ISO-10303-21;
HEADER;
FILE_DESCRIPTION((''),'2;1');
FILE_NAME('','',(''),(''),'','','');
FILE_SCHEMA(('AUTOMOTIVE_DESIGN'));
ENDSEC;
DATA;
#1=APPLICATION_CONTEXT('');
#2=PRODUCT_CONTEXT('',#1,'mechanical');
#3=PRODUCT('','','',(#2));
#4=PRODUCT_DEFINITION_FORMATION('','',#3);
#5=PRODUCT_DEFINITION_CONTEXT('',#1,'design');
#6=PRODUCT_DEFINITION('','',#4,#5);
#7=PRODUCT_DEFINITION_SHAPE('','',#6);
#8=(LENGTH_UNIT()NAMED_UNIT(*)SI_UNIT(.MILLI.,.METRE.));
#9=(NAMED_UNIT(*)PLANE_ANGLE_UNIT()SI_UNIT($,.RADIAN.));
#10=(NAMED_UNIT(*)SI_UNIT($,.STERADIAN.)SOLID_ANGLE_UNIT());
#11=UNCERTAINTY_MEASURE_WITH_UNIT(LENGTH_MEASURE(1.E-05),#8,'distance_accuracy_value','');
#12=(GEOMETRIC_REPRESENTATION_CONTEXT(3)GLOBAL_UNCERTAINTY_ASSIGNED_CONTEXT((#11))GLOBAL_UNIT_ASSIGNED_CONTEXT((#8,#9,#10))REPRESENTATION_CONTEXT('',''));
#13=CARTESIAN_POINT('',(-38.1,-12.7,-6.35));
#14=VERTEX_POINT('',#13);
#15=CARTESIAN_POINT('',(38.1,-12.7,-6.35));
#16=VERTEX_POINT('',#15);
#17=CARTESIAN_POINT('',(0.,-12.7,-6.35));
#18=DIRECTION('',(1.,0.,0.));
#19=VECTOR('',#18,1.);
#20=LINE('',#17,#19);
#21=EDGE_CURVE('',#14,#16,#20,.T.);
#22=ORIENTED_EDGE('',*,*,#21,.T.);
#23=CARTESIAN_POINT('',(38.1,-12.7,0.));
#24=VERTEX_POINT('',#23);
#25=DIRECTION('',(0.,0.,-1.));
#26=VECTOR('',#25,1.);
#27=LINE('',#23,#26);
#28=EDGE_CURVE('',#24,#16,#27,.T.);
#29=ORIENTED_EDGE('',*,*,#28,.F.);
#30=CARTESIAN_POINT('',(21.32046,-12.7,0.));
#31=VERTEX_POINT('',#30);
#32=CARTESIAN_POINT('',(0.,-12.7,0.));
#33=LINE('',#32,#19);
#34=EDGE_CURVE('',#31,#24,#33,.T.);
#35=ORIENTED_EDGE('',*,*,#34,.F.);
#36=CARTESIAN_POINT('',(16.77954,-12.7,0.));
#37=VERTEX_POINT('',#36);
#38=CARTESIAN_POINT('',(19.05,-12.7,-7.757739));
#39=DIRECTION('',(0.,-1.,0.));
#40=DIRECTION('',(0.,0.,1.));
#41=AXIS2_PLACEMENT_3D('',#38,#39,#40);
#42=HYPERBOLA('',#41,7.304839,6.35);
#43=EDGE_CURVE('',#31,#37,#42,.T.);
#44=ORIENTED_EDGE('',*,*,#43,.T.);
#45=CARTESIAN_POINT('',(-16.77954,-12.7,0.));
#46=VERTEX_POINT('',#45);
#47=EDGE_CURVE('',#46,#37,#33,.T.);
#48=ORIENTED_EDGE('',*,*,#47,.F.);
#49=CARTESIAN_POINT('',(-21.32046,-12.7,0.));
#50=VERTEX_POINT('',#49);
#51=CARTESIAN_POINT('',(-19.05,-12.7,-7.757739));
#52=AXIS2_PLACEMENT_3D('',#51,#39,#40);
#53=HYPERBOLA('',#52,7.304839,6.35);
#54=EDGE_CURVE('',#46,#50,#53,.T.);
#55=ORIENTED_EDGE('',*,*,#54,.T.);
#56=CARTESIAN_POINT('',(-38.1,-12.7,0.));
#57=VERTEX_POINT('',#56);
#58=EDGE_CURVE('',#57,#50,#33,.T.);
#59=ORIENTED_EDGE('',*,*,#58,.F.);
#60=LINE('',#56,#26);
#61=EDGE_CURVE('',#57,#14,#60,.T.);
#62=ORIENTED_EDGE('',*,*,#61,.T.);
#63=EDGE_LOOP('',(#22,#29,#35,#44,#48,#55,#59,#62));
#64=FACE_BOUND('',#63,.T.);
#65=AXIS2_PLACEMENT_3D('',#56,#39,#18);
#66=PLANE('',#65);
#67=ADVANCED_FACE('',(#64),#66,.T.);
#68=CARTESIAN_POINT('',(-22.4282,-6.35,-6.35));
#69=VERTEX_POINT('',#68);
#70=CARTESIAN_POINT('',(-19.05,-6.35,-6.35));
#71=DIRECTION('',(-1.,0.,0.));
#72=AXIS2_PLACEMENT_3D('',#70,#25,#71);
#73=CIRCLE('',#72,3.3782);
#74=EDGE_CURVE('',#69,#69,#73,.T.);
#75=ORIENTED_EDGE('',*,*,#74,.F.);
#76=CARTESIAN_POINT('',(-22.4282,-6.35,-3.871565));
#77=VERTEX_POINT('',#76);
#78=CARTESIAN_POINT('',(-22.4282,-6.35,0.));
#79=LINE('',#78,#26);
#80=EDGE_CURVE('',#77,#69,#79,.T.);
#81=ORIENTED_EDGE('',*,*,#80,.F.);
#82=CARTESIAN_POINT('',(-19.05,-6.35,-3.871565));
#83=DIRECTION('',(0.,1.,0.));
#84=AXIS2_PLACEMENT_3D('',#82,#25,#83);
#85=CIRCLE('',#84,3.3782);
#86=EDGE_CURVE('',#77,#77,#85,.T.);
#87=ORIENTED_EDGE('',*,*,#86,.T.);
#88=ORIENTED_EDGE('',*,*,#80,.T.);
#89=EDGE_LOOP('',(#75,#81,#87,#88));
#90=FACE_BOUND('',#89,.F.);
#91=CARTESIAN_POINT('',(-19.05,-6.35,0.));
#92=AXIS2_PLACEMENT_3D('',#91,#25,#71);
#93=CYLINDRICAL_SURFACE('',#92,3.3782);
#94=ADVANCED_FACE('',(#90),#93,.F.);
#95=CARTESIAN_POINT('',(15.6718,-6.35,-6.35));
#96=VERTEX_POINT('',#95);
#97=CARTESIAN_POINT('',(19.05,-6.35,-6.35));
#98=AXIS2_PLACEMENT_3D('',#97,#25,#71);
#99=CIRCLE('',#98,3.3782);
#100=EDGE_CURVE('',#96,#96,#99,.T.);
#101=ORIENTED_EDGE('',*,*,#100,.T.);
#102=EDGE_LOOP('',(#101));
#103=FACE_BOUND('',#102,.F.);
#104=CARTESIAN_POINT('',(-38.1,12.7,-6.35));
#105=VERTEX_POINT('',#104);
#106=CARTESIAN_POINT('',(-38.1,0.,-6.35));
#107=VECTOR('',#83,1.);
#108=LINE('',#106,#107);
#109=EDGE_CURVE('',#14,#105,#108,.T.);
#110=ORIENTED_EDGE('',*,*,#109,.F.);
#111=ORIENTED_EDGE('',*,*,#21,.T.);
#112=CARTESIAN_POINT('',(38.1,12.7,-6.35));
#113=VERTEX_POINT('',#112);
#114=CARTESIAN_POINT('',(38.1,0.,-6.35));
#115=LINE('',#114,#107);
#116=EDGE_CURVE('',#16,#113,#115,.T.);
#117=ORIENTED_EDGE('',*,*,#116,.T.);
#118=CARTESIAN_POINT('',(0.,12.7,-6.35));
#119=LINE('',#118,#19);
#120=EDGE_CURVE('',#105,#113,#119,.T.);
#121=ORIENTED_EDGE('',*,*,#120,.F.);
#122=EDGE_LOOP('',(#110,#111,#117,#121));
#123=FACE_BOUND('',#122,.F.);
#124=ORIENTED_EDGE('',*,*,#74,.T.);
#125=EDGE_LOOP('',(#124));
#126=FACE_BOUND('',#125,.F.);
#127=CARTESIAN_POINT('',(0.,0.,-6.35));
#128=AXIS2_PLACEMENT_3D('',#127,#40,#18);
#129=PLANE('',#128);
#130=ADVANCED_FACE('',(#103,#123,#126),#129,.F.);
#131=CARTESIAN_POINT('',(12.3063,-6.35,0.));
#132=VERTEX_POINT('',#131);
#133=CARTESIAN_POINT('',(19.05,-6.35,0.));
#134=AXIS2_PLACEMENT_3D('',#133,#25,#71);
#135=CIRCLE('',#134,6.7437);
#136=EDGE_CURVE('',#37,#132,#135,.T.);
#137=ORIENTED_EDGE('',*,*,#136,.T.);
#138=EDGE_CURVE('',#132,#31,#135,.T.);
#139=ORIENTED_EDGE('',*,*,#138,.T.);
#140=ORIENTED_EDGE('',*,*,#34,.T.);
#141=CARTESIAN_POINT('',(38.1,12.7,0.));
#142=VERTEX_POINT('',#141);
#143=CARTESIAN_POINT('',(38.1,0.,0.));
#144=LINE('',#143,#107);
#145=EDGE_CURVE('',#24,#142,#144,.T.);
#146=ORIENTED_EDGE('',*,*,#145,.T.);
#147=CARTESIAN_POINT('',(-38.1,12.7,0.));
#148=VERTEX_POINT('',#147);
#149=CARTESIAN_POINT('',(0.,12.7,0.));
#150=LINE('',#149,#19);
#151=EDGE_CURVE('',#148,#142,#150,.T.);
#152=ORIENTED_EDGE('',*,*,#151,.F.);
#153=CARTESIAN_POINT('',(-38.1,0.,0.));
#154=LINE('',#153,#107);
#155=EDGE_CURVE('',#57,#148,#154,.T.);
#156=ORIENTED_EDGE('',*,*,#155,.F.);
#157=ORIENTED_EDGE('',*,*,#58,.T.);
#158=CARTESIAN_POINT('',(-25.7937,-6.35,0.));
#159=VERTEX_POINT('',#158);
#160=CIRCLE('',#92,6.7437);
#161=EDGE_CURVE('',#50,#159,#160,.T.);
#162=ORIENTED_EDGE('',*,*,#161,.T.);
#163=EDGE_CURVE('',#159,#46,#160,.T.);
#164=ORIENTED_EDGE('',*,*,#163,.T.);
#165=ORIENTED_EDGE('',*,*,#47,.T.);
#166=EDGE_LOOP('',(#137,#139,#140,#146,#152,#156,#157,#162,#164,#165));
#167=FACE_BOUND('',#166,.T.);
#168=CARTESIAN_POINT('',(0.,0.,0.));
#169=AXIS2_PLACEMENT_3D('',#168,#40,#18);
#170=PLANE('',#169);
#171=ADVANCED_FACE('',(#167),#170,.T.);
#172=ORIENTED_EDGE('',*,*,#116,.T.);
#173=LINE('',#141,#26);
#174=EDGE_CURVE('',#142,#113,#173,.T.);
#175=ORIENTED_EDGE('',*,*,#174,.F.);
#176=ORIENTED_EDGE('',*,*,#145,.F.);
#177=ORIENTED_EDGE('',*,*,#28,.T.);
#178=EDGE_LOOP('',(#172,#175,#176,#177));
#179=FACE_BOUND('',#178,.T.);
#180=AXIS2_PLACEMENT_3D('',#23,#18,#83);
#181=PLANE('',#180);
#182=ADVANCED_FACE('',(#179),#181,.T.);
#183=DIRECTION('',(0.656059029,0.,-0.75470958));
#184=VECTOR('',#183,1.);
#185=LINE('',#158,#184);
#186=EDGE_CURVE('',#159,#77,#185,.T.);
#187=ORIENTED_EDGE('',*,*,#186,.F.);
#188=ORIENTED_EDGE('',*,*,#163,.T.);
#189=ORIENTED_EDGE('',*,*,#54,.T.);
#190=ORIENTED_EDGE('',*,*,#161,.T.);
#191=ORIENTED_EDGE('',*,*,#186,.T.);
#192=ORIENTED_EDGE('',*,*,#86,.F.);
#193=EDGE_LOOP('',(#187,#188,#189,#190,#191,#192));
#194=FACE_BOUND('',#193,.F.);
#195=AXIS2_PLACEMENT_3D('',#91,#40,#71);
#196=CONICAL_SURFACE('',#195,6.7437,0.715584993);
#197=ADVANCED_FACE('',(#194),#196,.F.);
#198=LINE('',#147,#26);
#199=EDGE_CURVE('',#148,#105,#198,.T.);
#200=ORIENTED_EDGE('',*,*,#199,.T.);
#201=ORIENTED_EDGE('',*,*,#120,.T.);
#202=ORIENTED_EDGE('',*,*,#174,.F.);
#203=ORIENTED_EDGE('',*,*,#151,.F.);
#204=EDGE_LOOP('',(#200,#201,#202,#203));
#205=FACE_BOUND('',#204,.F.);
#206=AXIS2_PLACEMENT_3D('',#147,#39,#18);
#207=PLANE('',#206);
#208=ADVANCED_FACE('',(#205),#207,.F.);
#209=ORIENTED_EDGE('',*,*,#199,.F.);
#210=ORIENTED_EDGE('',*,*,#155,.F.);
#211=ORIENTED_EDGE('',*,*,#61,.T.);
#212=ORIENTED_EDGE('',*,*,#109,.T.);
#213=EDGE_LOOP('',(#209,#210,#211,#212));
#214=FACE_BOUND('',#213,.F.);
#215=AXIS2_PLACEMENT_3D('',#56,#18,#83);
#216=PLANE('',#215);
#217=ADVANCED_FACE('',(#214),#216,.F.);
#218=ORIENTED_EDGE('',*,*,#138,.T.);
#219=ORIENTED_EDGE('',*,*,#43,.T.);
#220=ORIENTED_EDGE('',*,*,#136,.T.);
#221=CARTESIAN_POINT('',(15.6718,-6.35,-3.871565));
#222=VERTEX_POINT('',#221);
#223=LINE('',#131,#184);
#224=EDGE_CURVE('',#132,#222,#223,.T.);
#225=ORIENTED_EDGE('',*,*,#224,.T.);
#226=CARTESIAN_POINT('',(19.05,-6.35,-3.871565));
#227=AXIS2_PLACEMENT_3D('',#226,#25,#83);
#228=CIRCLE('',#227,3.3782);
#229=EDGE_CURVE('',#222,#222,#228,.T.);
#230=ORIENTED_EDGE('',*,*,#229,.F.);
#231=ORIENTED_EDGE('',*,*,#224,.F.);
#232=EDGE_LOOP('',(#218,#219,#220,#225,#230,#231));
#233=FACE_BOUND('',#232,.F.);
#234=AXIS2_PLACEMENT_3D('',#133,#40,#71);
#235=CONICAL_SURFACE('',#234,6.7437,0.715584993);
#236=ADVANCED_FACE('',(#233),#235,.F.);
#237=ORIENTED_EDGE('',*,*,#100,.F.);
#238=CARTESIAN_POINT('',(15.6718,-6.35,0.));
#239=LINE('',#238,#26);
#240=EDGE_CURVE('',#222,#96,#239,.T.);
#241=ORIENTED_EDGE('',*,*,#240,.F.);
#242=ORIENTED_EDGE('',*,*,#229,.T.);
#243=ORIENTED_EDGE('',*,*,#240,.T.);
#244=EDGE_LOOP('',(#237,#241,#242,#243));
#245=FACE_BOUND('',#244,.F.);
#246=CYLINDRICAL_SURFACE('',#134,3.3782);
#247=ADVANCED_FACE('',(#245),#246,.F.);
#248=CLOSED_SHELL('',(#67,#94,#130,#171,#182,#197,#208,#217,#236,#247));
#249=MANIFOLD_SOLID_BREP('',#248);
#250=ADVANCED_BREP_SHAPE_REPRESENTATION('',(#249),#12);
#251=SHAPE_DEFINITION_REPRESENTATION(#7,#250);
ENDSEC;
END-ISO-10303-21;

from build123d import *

# Parameters (mm, degrees)
F0_W           = 76.2
F0_H           = 25.4
F0_R           = 3.571875
F1_DEPTH       = 6.35
F2_D           = 6.7564
F2_DEPTH       = 19.05
F2_CSINK_D     = 13.4874
F2_CSINK_ANGLE = 82
F2_TIP         = 2.0298273432


with BuildPart() as f1:
    # F0 (on Top) → F1 (new body)
    with BuildSketch(Plane.XY):
        Rectangle(F0_W, F0_H)
        with Locations((-19.05, -6.35)):
            Circle(F0_R, mode=Mode.SUBTRACT)
        with Locations((19.05, -6.35)):
            Circle(F0_R, mode=Mode.SUBTRACT)
        with Locations((19.05, -6.35)):
            Circle(F0_R)
        with Locations((-19.05, -6.35)):
            Circle(F0_R)
    extrude(amount=-F1_DEPTH)

    # F2
    with Locations(Plane.XY):
        with Locations((-19.05, -6.35), (19.05, -6.35)):
            CounterSinkHole(F2_D / 2, F2_CSINK_D / 2, depth=F2_DEPTH, counter_sink_angle=F2_CSINK_ANGLE)
            with Locations((0, 0, -(F2_DEPTH + F2_TIP / 2))):  # 118° drill point
                Cone(0, F2_D / 2, F2_TIP, mode=Mode.SUBTRACT)


solid = f1.part
